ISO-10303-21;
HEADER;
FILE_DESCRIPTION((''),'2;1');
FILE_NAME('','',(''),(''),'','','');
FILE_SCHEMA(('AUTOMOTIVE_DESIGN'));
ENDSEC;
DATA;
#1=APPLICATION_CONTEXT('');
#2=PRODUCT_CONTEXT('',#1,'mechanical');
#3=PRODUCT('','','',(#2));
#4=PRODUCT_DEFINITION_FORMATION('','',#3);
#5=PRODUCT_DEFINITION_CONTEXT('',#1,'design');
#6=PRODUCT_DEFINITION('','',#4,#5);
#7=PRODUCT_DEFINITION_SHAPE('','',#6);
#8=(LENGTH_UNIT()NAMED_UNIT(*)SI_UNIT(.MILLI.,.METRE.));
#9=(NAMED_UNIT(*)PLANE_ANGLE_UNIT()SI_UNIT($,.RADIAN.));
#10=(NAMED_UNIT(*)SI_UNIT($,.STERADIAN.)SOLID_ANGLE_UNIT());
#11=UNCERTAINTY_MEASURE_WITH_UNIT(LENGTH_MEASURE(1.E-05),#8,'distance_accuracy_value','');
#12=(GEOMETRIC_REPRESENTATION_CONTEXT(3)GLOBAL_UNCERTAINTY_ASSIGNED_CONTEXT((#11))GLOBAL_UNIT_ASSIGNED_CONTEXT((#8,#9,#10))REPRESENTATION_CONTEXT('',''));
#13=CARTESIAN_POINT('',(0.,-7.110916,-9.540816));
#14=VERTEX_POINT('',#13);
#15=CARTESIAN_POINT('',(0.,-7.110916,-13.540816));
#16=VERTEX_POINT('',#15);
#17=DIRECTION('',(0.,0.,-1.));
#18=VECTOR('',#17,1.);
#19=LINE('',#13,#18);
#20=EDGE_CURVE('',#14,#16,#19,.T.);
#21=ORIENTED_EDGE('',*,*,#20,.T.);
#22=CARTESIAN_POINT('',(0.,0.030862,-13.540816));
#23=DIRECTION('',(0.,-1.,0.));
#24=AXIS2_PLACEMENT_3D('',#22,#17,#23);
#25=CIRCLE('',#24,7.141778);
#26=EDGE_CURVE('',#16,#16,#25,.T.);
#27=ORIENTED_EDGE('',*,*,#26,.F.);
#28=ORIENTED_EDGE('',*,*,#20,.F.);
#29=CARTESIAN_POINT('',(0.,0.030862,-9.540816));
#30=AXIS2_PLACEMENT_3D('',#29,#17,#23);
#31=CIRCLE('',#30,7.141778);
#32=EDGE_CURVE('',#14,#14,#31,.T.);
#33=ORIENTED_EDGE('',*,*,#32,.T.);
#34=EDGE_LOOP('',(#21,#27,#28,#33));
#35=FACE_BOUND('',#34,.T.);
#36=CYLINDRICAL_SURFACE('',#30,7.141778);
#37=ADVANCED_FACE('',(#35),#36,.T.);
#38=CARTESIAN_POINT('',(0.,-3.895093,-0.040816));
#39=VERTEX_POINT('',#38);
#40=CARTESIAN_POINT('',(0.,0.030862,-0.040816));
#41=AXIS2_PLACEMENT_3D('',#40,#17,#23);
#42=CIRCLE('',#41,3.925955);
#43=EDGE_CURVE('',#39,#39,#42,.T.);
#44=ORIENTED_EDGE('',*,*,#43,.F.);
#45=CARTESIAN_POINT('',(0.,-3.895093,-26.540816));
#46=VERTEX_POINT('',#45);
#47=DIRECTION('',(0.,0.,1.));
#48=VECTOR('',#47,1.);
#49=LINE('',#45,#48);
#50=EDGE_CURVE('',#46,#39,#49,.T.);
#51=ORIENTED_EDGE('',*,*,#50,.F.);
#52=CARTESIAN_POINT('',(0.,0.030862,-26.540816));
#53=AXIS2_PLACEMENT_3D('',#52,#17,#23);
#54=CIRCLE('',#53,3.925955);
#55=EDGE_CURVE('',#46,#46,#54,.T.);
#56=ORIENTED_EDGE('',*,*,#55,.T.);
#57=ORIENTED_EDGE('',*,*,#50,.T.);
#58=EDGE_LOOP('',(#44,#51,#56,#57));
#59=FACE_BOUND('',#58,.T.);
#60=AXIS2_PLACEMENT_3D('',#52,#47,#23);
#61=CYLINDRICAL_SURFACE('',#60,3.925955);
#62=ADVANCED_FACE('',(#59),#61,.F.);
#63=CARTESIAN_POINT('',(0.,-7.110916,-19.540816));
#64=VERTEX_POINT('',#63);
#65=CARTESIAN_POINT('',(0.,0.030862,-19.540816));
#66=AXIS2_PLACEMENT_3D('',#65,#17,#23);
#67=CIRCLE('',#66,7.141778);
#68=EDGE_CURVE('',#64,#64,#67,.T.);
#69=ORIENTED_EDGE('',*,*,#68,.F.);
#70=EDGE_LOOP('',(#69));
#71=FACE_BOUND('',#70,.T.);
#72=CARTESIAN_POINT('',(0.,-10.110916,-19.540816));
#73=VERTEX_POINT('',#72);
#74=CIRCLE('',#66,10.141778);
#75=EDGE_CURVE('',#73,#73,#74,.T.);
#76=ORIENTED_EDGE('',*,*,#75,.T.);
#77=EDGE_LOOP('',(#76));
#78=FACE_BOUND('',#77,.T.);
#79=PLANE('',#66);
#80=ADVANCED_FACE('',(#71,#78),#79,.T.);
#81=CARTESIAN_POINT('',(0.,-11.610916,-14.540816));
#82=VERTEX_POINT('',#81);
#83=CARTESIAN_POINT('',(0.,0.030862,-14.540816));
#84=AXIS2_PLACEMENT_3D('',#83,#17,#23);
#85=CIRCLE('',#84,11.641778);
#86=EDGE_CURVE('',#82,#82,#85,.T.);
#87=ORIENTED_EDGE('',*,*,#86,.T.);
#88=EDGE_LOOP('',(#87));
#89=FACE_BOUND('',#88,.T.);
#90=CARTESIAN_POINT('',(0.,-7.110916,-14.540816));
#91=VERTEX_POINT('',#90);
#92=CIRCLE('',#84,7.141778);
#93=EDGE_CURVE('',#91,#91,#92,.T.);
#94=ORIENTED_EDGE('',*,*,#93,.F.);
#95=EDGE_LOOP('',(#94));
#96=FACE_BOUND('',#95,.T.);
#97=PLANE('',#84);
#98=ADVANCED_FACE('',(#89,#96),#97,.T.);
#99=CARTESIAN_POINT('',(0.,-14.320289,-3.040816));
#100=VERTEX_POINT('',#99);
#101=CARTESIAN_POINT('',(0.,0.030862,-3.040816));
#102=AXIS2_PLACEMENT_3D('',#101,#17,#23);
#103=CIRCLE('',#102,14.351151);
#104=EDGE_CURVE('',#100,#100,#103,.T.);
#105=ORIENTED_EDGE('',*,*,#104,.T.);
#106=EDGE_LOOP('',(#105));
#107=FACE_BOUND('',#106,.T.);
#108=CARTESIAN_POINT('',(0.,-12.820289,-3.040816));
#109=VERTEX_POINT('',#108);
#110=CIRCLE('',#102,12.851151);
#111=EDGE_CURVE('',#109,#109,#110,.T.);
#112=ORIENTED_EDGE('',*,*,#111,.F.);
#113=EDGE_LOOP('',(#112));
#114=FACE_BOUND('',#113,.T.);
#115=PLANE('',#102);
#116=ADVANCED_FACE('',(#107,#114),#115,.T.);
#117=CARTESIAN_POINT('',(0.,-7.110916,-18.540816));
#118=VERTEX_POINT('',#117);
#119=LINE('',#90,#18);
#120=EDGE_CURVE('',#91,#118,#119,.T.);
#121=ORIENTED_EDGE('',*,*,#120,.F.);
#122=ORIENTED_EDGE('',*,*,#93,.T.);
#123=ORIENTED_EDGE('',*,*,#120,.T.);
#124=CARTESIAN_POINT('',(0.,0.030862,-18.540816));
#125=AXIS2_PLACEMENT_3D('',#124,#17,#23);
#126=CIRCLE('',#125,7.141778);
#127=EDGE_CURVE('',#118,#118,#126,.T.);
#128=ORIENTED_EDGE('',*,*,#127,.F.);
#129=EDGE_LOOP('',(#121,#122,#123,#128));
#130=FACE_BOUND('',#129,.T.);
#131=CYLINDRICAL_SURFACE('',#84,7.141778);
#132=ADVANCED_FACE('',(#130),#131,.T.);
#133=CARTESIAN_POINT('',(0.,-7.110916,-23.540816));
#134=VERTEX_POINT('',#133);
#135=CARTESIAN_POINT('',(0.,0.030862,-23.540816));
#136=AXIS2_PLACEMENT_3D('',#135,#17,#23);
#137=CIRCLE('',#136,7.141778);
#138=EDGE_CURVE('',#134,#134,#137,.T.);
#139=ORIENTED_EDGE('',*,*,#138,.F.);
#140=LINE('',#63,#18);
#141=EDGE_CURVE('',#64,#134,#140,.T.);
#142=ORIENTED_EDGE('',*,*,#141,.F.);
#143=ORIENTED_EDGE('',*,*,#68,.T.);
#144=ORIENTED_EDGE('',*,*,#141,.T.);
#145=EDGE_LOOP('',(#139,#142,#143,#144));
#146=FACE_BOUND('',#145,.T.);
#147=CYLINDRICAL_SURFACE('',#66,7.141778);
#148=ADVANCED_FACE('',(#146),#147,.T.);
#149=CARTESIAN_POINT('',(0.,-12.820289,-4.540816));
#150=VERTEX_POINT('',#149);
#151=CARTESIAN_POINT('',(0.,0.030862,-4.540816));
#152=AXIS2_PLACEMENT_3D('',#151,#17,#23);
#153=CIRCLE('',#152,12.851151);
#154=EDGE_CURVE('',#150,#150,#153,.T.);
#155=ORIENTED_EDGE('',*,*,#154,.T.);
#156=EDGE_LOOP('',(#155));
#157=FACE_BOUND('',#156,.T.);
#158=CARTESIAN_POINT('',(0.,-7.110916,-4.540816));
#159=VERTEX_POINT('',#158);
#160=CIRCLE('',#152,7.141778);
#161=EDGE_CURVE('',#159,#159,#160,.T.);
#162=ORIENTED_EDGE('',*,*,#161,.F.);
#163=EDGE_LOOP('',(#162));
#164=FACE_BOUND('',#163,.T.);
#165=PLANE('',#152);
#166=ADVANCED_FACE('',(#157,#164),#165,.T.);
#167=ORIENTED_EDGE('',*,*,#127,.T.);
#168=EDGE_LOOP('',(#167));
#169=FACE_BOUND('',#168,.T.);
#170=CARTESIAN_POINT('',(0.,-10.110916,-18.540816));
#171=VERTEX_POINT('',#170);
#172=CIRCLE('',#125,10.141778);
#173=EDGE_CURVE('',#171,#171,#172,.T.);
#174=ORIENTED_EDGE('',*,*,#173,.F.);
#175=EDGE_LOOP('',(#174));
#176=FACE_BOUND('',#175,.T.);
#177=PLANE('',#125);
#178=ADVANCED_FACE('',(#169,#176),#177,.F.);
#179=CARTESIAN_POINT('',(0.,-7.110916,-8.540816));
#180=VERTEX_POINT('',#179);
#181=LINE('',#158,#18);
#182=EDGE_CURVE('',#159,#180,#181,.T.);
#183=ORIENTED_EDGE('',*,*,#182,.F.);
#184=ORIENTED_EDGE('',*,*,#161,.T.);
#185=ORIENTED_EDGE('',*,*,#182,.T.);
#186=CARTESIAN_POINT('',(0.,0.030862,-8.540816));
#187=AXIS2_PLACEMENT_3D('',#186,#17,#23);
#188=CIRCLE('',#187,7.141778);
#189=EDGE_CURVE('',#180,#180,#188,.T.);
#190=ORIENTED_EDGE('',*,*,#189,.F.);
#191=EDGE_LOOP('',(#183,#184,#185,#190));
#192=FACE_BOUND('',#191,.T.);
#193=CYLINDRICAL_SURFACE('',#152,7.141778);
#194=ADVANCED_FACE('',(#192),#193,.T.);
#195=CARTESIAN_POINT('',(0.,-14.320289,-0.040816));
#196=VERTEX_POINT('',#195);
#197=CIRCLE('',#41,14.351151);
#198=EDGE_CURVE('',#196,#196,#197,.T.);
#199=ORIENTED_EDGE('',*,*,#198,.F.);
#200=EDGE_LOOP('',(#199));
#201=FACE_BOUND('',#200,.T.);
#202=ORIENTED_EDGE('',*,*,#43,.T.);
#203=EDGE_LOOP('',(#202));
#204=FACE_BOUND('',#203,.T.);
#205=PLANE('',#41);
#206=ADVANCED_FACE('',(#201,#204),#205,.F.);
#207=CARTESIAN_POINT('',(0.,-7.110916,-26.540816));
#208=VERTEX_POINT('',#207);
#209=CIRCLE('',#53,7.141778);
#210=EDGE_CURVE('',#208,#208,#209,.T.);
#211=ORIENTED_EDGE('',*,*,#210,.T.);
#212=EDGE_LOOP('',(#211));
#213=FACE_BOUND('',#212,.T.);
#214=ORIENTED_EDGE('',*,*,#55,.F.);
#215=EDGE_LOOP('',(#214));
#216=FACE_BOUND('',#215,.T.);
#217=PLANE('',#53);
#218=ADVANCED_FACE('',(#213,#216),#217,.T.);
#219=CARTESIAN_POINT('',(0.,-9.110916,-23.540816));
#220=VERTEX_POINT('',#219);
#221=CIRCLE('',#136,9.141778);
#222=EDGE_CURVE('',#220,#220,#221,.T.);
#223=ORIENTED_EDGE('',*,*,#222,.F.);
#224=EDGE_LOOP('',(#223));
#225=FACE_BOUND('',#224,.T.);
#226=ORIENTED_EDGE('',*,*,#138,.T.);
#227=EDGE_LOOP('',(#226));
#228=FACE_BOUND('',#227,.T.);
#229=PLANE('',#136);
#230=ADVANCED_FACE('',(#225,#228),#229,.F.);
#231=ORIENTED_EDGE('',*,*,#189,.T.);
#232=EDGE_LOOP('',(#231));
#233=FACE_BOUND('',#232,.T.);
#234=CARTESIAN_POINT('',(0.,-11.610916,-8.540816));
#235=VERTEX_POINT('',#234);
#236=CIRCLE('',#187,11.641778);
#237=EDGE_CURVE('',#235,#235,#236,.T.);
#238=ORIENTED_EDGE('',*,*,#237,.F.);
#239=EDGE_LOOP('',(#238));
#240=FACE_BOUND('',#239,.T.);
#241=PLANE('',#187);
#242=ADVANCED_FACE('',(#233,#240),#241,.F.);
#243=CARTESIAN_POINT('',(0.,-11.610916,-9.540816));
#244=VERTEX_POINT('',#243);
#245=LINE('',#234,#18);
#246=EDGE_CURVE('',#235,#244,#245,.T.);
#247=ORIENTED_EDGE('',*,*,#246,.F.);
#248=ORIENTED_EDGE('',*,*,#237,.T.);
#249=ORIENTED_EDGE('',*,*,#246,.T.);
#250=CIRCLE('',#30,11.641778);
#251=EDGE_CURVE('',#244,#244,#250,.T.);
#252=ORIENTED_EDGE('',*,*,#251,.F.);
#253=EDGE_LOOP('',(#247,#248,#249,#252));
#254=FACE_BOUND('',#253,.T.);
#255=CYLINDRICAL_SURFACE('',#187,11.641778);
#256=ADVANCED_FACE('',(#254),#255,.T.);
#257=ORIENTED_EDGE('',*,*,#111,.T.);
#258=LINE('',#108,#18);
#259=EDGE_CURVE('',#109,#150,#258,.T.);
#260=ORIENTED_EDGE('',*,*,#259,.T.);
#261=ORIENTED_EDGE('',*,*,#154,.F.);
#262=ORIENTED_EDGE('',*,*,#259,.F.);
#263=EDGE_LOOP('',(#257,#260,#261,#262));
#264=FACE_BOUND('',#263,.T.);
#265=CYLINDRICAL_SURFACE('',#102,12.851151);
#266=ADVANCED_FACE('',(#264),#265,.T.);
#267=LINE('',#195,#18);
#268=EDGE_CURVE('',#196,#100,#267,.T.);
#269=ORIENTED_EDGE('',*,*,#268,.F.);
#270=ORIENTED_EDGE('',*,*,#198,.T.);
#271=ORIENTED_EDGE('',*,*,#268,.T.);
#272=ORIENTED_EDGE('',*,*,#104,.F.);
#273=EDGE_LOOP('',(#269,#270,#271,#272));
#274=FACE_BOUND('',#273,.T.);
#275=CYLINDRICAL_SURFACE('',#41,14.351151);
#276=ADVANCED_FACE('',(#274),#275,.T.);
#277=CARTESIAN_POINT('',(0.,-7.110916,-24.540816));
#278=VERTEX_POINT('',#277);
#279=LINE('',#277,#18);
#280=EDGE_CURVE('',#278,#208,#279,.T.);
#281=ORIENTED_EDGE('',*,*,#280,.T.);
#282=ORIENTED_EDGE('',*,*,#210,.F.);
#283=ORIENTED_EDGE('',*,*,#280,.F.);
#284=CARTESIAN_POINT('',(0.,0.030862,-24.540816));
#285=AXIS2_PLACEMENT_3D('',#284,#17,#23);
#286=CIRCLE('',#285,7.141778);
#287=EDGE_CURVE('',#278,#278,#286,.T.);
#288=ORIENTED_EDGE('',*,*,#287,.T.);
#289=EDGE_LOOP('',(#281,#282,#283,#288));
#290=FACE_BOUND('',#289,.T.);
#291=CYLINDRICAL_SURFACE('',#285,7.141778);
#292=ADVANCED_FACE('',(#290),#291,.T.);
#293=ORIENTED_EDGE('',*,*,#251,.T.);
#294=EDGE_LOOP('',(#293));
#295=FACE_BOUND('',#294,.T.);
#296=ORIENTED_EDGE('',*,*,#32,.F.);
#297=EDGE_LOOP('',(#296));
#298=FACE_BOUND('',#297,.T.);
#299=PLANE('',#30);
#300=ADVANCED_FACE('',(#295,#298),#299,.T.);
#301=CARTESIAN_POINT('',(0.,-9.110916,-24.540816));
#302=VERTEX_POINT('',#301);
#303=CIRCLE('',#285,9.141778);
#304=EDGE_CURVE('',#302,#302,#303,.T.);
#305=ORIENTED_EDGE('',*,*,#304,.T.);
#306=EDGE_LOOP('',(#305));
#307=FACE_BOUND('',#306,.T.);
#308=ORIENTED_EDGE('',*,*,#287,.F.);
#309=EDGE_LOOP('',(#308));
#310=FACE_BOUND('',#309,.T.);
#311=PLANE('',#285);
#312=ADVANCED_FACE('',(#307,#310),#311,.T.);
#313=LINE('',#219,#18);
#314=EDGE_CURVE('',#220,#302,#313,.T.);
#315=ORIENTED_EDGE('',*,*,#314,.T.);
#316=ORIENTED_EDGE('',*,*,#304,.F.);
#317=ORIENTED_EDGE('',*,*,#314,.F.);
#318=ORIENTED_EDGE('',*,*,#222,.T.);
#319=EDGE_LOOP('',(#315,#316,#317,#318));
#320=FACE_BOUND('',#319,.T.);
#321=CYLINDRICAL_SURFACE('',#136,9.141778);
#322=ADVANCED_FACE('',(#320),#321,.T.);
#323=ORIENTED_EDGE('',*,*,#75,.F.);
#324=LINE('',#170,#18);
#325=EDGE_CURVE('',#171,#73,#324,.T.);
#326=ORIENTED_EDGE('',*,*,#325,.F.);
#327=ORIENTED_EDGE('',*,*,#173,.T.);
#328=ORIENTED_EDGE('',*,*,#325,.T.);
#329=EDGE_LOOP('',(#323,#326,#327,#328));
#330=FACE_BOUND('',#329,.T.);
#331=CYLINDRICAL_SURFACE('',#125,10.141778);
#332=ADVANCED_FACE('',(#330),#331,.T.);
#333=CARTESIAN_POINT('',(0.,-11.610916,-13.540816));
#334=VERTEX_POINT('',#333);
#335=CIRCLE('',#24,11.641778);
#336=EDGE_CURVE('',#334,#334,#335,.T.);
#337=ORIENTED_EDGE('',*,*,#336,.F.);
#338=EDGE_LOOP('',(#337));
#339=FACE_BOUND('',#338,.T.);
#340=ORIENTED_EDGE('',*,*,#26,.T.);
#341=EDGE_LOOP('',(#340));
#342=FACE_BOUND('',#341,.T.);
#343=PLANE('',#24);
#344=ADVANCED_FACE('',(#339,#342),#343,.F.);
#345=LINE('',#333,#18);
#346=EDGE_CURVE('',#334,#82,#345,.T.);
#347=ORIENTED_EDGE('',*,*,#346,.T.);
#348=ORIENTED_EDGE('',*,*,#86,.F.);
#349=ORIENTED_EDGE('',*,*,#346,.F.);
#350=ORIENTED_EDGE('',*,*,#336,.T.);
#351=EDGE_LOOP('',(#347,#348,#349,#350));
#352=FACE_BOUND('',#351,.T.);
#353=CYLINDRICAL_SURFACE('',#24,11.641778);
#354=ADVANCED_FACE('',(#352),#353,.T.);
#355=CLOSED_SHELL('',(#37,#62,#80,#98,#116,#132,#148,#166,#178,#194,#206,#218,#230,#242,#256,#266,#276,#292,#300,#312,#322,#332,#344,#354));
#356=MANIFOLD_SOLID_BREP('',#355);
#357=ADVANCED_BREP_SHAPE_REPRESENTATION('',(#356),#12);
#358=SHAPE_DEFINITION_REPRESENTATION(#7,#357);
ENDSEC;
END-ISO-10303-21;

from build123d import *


with BuildPart() as f1:
    # F0 (on Right) → F1 (revolve)
    with BuildSketch(Plane.YZ):
        Polygon((-3.895093, -26.540816), (-3.895093, -22.984773), (-3.895093, -0.040816), (-14.320289, -0.040816), (-14.320289, -3.040816), (-12.820289, -3.040816), (-12.820289, -4.540816), (-7.110916, -4.540816), (-7.110916, -8.540816), (-11.610916, -8.540816), (-11.610916, -9.540816), (-7.110916, -9.540816), (-7.110916, -13.540816), (-11.610916, -13.540816), (-11.610916, -14.540816), (-7.110916, -14.540816), (-7.110916, -18.540816), (-10.110916, -18.540816), (-10.110916, -19.540816), (-7.110916, -19.540816), (-7.110916, -23.540816), (-9.110916, -23.540816), (-9.110916, -24.540816), (-7.110916, -24.540816), (-7.110916, -26.540816), align=None)
    revolve(axis=Axis((0, 0.030862, -13.309226), (0, 0, -1)))


solid = f1.part
